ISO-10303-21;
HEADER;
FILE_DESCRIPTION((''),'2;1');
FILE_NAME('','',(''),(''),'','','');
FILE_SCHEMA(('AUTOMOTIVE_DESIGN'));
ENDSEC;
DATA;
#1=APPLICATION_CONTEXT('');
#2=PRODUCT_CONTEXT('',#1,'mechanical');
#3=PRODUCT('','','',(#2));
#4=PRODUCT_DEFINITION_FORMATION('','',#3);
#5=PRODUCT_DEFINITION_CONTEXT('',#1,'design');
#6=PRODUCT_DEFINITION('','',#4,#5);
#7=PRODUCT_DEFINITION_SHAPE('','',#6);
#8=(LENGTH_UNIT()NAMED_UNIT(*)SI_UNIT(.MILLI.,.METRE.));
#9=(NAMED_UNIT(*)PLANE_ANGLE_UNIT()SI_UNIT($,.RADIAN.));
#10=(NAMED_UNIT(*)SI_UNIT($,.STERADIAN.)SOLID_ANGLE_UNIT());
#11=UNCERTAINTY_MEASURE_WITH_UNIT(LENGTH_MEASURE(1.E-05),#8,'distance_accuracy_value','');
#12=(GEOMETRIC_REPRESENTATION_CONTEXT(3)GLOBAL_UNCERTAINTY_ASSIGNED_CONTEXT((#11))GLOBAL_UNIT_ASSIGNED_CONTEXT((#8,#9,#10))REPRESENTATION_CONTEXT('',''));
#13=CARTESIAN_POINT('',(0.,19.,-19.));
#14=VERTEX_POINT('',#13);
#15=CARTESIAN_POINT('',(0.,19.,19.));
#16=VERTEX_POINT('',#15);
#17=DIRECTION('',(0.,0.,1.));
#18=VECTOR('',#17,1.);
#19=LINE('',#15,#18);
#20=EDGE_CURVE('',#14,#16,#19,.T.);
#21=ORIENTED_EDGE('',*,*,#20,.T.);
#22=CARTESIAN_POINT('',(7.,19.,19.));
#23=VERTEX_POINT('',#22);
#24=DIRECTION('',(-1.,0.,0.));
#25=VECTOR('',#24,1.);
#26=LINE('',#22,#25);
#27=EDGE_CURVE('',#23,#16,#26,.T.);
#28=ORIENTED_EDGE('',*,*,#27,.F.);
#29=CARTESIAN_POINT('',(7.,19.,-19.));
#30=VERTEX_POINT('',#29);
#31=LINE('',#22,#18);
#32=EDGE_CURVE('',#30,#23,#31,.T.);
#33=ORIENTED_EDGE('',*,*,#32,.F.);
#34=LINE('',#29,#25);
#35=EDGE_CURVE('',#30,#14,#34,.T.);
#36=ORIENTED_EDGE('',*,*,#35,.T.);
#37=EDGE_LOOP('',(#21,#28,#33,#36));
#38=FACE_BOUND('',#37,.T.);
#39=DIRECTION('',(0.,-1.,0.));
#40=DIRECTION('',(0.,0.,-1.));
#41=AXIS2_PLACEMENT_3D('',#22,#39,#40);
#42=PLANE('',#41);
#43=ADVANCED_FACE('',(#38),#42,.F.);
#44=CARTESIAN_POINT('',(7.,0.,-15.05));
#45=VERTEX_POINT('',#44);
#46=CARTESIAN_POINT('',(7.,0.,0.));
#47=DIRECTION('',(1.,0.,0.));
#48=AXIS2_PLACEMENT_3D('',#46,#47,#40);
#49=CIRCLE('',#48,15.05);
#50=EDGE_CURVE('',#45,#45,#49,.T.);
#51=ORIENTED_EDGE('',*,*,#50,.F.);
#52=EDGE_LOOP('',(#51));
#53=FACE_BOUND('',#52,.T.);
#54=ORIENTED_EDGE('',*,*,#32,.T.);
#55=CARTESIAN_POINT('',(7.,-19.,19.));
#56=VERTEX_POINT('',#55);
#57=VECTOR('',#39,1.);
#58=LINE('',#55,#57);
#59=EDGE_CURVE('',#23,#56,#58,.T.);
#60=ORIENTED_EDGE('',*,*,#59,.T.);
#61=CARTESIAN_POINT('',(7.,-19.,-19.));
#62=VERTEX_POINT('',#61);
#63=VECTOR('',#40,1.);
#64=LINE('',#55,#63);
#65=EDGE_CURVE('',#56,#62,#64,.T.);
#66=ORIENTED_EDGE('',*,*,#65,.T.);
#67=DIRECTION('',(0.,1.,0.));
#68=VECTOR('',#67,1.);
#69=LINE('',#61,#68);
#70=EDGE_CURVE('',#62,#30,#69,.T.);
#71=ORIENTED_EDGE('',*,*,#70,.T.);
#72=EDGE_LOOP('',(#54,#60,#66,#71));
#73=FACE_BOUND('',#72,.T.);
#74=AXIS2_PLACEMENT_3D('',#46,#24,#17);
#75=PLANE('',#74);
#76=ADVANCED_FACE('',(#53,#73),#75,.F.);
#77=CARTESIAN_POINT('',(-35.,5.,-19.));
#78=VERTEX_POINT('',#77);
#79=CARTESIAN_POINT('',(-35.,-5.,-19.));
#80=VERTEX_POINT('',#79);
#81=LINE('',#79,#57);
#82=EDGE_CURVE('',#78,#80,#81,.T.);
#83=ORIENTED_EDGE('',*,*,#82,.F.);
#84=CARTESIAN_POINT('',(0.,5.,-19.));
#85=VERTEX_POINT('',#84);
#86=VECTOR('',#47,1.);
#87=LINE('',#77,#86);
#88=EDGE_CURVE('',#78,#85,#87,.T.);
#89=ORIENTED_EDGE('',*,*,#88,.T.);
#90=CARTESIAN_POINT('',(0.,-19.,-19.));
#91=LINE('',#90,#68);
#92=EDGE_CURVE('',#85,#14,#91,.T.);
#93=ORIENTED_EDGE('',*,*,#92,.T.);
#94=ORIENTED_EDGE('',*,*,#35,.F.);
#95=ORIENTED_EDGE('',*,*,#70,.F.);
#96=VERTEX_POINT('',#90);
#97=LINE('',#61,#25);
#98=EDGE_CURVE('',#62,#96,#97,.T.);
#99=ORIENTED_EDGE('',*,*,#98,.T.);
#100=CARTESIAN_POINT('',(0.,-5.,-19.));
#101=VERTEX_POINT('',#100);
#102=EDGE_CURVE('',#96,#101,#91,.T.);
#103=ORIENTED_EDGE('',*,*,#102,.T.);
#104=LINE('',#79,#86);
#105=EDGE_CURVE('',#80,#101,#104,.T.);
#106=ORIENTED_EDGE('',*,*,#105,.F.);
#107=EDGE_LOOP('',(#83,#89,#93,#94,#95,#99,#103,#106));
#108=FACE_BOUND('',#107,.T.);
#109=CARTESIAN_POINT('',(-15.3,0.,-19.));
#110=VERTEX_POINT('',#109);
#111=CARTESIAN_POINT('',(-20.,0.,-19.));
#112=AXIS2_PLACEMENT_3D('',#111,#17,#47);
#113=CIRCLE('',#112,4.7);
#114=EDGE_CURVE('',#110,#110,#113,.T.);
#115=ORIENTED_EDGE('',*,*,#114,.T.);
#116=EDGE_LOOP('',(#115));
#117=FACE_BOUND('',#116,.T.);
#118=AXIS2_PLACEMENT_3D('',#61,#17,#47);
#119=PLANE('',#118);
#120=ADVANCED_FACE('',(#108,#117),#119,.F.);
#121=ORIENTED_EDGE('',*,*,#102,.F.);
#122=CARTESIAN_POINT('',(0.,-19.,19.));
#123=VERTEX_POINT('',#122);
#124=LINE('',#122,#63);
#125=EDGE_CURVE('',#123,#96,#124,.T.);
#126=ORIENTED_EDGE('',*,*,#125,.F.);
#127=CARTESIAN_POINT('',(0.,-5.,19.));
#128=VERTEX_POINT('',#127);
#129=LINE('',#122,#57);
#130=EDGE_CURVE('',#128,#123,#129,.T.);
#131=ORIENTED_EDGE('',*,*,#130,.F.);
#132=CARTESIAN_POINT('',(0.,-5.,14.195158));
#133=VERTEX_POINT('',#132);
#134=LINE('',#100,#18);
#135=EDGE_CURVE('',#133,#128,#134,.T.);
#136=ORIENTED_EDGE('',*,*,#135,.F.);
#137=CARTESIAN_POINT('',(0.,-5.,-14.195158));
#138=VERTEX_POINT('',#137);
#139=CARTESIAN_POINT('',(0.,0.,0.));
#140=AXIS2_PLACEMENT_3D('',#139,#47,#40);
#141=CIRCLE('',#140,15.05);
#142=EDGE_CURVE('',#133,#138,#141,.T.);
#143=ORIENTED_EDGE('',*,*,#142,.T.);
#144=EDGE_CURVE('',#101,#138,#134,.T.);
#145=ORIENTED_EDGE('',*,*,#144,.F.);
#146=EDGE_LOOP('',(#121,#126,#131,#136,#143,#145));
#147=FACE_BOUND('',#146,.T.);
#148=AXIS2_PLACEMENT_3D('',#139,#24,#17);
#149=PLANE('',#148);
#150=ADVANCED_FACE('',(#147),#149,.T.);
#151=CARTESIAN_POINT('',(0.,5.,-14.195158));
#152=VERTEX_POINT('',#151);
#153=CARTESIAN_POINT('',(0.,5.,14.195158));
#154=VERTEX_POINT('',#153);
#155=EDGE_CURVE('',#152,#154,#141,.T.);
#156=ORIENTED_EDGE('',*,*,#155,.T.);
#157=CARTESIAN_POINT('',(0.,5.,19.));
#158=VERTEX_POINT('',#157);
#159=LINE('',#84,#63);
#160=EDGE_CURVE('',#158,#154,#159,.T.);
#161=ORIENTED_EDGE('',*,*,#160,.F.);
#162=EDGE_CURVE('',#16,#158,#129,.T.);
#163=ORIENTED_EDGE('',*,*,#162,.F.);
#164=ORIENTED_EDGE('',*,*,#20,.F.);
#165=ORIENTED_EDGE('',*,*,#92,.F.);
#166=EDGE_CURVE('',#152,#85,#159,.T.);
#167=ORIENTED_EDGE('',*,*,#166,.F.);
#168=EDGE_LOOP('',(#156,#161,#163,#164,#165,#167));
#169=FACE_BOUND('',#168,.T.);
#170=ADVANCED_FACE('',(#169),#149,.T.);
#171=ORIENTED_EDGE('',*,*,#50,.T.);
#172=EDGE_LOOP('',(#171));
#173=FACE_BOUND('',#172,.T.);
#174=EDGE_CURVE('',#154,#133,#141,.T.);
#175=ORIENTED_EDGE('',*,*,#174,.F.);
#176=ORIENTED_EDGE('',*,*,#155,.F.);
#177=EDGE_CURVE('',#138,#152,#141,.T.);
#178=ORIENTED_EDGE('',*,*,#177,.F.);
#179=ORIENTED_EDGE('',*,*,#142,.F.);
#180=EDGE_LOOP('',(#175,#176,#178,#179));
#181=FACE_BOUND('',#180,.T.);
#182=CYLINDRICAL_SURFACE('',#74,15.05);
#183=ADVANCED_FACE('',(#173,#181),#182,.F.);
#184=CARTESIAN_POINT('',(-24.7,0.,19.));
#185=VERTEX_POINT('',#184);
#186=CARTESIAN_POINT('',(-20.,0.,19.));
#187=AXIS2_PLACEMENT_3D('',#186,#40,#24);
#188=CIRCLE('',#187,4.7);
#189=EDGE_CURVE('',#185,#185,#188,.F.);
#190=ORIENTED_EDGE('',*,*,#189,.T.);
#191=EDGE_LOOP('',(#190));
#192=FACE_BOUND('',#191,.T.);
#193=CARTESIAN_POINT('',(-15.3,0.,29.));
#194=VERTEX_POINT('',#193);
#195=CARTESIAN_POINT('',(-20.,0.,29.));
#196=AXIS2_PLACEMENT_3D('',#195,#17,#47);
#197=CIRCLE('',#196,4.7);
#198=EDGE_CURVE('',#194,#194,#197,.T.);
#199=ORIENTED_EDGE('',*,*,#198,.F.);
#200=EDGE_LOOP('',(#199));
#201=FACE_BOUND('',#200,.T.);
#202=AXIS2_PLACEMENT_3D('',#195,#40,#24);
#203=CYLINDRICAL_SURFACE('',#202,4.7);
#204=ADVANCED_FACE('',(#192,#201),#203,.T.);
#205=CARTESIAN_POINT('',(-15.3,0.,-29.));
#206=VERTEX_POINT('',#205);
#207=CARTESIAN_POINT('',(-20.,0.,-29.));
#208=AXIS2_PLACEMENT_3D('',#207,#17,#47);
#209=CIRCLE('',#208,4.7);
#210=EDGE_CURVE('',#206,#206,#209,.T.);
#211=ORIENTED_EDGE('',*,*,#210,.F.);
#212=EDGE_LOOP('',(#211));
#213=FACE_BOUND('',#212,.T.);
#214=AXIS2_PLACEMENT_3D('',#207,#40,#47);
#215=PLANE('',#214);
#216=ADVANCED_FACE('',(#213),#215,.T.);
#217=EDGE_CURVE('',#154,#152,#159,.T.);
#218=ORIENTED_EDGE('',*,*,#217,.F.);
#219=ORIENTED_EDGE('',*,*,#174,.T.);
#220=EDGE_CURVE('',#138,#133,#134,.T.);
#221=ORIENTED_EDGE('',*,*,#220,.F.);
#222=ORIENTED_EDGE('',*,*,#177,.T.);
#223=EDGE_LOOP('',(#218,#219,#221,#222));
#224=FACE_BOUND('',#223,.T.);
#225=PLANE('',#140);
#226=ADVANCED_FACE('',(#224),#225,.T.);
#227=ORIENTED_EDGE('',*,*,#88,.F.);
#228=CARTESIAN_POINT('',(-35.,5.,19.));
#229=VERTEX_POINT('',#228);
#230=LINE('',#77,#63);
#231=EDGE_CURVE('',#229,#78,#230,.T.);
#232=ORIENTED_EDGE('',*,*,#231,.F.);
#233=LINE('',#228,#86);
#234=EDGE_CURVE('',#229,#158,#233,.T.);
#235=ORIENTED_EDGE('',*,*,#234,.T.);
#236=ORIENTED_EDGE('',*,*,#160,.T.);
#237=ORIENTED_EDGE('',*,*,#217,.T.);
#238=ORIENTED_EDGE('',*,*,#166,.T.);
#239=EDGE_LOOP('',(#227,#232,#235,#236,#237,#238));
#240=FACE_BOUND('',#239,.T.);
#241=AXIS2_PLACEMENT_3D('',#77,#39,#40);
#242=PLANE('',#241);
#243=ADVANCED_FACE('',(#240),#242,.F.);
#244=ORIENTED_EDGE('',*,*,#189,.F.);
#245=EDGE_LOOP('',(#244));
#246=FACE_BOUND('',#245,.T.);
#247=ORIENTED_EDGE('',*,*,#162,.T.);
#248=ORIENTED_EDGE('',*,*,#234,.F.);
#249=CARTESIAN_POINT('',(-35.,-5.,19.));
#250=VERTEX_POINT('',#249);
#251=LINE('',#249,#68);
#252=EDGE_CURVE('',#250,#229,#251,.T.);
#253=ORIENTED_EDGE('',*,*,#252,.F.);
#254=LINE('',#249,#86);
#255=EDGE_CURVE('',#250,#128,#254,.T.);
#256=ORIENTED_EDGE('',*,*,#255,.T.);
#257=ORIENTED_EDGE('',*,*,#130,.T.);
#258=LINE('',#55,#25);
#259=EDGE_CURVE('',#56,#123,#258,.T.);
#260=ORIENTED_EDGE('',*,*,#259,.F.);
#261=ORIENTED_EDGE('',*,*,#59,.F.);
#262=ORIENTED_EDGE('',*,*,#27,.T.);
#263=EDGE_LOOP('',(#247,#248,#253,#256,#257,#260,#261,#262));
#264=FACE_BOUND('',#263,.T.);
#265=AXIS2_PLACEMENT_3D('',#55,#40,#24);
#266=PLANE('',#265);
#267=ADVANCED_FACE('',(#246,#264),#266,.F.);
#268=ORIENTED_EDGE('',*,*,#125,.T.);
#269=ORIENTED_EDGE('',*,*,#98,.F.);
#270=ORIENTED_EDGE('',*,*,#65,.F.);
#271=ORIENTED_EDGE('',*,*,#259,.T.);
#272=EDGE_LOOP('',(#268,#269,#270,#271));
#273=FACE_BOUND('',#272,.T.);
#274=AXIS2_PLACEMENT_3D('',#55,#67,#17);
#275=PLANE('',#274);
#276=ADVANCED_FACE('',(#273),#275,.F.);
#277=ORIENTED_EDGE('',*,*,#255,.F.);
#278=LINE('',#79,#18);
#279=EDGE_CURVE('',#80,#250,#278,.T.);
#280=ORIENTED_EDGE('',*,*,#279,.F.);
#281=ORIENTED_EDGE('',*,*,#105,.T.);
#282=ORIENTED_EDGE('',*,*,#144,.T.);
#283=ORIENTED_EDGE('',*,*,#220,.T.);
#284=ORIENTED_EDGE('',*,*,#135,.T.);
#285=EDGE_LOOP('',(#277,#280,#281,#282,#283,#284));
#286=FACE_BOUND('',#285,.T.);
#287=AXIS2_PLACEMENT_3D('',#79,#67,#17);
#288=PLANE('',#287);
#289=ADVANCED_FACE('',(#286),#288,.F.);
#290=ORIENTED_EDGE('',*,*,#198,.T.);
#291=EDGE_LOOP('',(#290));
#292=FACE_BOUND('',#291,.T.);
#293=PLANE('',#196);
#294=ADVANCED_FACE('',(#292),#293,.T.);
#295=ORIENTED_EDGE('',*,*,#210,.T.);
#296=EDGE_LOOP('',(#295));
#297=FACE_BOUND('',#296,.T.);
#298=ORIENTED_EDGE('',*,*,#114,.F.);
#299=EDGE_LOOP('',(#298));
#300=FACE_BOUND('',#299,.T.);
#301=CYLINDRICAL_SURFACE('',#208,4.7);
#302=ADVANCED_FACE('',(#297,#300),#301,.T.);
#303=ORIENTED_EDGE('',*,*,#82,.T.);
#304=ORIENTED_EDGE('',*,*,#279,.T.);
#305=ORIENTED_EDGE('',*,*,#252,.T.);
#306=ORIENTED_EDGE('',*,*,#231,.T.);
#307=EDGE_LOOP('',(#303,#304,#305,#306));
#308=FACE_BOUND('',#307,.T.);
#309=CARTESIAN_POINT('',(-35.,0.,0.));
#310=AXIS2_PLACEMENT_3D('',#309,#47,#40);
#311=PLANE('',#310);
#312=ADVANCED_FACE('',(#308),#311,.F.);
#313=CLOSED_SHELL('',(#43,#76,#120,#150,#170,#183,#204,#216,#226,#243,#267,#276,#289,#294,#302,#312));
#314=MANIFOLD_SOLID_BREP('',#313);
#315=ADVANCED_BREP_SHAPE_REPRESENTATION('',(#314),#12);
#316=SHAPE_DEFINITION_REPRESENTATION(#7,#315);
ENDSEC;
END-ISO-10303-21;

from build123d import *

# Parameters (mm, degrees)
SKETCH1_W           = 38
SKETCH1_H           = 38
SKETCH1_R           = 15.05
BOSS_EXTRUDE1_DEPTH = 7
SKETCH2_W           = 38
SKETCH2_H           = 10
BOSS_EXTRUDE2_DEPTH = 35
SKETCH3_R           = 4.7
BOSS_EXTRUDE3_DEPTH = 10


with BuildPart() as part:
    # Sketch1 → Boss-Extrude1 (new body)
    with BuildSketch(Plane(origin=(0, 0, 0), x_dir=(0, 0, -1), z_dir=(1, 0, 0))):
        Rectangle(SKETCH1_W, SKETCH1_H)
        Circle(SKETCH1_R, mode=Mode.SUBTRACT)
    extrude(amount=BOSS_EXTRUDE1_DEPTH)

    # Sketch2 → Boss-Extrude2 (add)
    with BuildSketch(Plane.ZY):
        Rectangle(SKETCH2_W, SKETCH2_H)
    extrude(amount=BOSS_EXTRUDE2_DEPTH)

    # Sketch3 → Boss-Extrude3 (add)
    with BuildSketch(Plane.XY.offset(19)):
        with Locations(Location((-20, 0, 0), (0, 0, 180))):
            Circle(SKETCH3_R)
    boss_extrude3 = extrude(amount=BOSS_EXTRUDE3_DEPTH)

    # Mirror1: Boss-Extrude3 across plane
    add(boss_extrude3.mirror(Plane.XY))


solid = part.part
